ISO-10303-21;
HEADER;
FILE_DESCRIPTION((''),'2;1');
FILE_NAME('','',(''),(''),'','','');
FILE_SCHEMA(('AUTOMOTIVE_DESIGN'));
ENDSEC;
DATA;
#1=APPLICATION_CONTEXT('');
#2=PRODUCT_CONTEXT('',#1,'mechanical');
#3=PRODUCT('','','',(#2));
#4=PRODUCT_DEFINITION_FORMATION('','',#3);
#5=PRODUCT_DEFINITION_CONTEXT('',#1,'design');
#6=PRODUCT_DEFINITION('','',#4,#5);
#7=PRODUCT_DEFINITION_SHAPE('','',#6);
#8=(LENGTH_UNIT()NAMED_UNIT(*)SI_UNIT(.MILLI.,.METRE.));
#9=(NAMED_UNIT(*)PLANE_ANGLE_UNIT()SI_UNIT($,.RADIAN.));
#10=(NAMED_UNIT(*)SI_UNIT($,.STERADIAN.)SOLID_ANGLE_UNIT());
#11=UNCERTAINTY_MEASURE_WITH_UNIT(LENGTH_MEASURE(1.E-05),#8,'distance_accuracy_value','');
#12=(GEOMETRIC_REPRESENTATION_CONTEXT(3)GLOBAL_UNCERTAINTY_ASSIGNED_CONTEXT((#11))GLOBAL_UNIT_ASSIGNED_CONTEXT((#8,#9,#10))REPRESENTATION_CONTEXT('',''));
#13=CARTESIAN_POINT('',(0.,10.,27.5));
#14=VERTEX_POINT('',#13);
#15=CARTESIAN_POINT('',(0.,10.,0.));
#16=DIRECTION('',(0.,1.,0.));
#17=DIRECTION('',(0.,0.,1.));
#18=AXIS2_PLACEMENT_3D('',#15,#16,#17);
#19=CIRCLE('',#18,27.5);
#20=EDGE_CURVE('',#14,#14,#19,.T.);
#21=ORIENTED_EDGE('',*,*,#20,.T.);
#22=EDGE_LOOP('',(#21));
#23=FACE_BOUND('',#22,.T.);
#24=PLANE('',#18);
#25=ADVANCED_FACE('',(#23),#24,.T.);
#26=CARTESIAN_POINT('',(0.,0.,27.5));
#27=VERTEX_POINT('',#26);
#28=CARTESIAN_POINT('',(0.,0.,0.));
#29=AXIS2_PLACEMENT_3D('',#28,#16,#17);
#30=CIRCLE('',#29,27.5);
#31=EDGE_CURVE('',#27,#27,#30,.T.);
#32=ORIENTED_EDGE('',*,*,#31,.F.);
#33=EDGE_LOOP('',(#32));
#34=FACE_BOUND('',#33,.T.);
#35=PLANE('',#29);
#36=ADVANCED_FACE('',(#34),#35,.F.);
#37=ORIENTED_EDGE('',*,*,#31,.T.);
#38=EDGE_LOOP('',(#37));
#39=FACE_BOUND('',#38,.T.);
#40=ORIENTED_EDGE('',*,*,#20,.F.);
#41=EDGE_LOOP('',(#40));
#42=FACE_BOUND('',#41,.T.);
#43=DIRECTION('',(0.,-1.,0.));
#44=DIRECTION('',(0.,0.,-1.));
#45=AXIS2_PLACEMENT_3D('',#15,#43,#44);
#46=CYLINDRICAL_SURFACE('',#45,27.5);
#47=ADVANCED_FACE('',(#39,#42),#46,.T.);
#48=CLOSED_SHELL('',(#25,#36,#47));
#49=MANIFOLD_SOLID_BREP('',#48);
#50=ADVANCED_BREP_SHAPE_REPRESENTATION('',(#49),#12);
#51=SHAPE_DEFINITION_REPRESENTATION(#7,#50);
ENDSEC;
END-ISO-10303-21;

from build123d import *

# Parameters (mm, degrees)
SKETCH_1_R      = 27.5
EXTRUDE_1_DEPTH = 10


with BuildPart() as part:
    # 草图1 → 凸台-拉伸1 (new body)
    with BuildSketch(Plane(origin=(0, 0, 0), x_dir=(1, 0, 0), z_dir=(0, 1, 0))):
        with Locations(Location((0, 0, 0), (0, 0, 270))):
            Circle(SKETCH_1_R)
    extrude(amount=EXTRUDE_1_DEPTH)


solid = part.part
